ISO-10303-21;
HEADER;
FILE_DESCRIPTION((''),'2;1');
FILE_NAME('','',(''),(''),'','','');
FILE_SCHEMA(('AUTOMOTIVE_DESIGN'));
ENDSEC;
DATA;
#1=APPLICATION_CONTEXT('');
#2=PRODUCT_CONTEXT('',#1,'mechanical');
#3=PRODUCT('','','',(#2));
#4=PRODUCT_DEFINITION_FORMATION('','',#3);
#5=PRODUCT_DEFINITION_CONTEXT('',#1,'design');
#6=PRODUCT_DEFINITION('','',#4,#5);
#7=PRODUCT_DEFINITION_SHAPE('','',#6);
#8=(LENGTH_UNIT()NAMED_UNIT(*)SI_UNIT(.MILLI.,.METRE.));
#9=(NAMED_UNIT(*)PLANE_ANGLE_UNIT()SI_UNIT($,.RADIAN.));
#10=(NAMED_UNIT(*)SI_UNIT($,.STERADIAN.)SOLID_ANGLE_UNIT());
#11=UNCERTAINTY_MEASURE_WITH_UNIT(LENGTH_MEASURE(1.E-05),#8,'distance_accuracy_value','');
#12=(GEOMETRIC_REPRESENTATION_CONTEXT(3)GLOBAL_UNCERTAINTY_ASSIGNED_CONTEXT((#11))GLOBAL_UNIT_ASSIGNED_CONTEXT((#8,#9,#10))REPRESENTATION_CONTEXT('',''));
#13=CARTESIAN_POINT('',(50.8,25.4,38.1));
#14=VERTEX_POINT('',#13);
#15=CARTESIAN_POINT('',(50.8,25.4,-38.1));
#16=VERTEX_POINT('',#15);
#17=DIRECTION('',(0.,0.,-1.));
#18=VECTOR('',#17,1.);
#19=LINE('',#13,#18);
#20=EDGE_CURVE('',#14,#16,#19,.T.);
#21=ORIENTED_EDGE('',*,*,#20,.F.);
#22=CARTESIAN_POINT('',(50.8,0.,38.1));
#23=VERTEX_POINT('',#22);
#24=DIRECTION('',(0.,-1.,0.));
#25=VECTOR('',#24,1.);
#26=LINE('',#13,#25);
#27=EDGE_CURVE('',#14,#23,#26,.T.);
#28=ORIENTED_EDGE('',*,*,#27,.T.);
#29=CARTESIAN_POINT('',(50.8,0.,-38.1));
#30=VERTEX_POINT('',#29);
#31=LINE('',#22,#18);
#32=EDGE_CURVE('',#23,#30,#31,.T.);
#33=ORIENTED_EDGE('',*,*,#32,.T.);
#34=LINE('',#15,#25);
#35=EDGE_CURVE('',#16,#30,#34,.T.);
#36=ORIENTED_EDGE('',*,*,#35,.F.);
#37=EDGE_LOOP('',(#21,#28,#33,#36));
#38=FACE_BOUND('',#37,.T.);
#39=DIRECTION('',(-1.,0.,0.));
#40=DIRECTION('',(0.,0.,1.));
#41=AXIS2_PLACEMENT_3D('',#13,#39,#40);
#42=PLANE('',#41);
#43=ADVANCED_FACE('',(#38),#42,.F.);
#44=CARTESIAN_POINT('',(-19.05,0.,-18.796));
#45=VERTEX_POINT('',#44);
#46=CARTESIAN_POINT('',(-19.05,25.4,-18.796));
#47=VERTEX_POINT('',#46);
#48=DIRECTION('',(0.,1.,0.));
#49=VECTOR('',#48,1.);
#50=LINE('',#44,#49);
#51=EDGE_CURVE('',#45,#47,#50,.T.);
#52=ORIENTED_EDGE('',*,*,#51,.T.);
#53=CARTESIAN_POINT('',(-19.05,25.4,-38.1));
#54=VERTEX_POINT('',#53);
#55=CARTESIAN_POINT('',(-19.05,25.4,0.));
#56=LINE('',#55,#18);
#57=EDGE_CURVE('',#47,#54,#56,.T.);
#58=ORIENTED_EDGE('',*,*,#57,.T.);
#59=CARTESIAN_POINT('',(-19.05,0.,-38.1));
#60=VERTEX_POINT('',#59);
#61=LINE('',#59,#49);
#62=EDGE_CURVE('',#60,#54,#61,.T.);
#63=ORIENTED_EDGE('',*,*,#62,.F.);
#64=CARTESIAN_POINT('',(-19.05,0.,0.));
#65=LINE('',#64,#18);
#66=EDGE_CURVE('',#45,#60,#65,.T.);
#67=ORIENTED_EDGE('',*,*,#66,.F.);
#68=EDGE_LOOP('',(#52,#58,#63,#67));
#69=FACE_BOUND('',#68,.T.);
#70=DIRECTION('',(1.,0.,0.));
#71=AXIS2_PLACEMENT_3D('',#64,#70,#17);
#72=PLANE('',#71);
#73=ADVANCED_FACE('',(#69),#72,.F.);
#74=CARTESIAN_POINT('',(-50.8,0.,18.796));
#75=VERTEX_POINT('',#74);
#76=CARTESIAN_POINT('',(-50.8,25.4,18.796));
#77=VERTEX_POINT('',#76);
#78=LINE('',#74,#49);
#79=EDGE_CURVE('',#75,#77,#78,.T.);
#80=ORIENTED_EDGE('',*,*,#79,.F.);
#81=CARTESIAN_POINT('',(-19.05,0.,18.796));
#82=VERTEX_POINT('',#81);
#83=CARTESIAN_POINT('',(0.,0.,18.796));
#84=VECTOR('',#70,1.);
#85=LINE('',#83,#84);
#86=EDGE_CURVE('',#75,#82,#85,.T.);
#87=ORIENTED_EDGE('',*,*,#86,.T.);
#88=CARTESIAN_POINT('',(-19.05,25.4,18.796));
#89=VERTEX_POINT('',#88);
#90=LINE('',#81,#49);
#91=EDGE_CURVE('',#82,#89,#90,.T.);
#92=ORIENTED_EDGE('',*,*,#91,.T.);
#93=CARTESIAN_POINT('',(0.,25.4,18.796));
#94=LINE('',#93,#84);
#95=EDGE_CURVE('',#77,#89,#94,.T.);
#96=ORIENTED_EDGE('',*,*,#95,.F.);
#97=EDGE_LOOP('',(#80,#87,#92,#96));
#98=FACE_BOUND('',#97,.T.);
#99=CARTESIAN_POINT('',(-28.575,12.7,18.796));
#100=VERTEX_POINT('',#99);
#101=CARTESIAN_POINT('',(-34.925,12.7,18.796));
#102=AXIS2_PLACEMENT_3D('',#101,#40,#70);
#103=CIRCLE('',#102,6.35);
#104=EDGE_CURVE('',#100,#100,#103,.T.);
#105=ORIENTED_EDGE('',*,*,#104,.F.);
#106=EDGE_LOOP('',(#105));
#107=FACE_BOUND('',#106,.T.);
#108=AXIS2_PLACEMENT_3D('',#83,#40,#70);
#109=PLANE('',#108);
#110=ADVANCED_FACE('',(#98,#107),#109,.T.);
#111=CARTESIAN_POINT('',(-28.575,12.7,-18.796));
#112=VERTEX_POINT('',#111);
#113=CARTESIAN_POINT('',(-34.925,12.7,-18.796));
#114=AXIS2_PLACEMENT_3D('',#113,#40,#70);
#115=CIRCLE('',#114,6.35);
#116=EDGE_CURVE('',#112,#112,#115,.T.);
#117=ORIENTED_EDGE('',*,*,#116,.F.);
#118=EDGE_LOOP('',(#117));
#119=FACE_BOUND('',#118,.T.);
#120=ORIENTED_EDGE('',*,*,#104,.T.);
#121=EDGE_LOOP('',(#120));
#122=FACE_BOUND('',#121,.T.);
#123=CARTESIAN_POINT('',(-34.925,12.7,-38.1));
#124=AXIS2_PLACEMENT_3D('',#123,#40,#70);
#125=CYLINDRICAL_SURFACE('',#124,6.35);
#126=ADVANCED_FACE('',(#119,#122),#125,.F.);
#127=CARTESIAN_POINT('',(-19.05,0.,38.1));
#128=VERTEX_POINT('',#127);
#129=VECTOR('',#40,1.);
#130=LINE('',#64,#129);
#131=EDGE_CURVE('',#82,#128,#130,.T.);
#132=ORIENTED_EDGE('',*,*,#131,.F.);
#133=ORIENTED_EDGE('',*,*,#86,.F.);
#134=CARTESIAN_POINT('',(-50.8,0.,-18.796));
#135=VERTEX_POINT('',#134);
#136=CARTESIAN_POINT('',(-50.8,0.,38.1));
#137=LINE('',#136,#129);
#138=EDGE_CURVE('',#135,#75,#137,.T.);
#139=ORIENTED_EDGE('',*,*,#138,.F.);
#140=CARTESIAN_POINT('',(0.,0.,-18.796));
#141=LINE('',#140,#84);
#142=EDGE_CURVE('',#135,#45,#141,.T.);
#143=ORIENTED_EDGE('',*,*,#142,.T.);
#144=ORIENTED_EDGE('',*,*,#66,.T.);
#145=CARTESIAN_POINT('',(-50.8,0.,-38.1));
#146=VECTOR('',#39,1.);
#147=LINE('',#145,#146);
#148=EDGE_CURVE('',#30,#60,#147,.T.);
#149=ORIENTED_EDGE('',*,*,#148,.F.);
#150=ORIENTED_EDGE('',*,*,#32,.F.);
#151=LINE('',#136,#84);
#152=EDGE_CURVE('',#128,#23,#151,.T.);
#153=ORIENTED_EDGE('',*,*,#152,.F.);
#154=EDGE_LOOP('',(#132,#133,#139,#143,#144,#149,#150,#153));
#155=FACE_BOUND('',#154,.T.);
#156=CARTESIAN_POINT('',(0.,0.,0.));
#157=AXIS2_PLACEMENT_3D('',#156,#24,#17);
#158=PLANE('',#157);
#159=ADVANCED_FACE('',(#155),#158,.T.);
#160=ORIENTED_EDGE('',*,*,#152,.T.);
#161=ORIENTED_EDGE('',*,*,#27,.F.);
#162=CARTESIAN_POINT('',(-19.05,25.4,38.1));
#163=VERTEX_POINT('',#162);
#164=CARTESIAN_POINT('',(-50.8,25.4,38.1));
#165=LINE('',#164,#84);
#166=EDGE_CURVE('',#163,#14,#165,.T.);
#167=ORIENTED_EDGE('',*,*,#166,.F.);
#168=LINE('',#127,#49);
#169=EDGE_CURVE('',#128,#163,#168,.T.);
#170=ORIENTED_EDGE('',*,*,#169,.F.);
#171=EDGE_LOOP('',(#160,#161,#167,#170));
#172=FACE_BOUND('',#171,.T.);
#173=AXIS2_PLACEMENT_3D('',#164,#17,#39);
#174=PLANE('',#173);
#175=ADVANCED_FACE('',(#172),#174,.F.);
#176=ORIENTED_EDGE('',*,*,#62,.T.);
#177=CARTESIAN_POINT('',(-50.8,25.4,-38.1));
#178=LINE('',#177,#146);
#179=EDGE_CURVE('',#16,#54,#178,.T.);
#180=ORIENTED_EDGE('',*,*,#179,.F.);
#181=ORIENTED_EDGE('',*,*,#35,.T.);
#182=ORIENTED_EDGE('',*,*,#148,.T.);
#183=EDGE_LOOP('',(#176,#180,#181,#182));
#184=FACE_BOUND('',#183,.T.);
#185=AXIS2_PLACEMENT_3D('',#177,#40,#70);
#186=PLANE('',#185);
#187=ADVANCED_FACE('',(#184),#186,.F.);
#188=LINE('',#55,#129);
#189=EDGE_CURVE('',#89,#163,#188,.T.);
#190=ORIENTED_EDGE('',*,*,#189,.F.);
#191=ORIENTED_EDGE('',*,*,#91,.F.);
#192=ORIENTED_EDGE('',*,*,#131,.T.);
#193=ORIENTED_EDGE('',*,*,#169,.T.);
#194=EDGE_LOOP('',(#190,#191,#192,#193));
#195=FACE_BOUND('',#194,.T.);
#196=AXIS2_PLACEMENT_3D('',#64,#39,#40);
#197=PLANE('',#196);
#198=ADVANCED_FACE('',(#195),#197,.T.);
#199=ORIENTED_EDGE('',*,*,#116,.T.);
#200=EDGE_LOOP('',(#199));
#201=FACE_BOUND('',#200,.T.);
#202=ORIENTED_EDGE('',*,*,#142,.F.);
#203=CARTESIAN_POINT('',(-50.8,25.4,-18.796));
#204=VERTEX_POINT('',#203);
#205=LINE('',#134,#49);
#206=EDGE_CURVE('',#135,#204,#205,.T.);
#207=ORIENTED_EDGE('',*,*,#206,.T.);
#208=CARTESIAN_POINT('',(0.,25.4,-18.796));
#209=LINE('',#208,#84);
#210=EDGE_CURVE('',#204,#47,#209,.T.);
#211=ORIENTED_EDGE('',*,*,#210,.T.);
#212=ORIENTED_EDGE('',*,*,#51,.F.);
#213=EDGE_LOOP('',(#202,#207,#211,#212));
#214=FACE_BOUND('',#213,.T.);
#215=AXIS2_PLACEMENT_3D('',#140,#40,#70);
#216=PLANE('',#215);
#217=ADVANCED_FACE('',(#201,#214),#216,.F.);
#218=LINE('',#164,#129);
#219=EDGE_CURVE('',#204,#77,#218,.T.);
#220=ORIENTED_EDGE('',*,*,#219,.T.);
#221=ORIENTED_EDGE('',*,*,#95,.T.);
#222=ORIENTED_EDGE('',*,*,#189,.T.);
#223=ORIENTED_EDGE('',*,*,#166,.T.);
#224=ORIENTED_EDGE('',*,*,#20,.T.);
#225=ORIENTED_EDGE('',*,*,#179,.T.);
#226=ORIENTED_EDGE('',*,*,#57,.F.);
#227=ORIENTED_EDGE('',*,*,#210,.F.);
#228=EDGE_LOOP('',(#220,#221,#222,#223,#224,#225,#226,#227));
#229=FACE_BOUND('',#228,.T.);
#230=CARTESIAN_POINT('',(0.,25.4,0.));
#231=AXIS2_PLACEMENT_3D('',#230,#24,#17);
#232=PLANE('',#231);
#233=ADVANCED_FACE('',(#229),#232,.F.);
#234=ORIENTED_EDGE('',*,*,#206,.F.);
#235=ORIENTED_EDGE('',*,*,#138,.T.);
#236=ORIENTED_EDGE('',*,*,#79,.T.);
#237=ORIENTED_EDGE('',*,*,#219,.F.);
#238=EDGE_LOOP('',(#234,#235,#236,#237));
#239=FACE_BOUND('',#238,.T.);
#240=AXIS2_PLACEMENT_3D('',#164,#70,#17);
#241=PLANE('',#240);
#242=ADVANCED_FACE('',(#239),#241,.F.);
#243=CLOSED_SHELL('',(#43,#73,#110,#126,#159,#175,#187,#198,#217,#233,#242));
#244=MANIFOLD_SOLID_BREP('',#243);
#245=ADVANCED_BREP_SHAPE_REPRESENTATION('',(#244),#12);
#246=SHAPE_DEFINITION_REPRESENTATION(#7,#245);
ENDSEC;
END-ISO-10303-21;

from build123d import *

# Parameters (mm, degrees)
SKETCH1_W           = 101.6
SKETCH1_H           = 76.2
BOSS_EXTRUDE1_DEPTH = 25.4
SKETCH2_W           = 31.75
SKETCH2_H           = 19.304
CUT_EXTRUDE2_DEPTH  = 26.4
SKETCH4_R           = 6.35
CUT_EXTRUDE3_DEPTH  = 57.896


with BuildPart() as part:
    # Sketch1 → Boss-Extrude1 (new body)
    with BuildSketch(Plane(origin=(0, 0, 0), x_dir=(1, 0, 0), z_dir=(0, 1, 0))):
        Rectangle(SKETCH1_W, SKETCH1_H)
    extrude(amount=BOSS_EXTRUDE1_DEPTH)

    # Sketch2 → Cut-Extrude2 (cut, through all)
    with BuildSketch(Plane(origin=(0, 25.4, 0), x_dir=(1, 0, 0), z_dir=(0, 1, 0))):
        with Locations((-34.925, 28.448)):
            Rectangle(SKETCH2_W, SKETCH2_H)
        with Locations((-34.925, -28.448)):
            Rectangle(SKETCH2_W, SKETCH2_H)
    extrude(amount=-CUT_EXTRUDE2_DEPTH, mode=Mode.SUBTRACT)

    # Sketch4 → Cut-Extrude3 (cut, through all)
    with BuildSketch(Plane.XY.offset(18.796)):
        with Locations((-34.925, 12.7)):
            Circle(SKETCH4_R)
    extrude(amount=-CUT_EXTRUDE3_DEPTH, mode=Mode.SUBTRACT)


solid = part.part
